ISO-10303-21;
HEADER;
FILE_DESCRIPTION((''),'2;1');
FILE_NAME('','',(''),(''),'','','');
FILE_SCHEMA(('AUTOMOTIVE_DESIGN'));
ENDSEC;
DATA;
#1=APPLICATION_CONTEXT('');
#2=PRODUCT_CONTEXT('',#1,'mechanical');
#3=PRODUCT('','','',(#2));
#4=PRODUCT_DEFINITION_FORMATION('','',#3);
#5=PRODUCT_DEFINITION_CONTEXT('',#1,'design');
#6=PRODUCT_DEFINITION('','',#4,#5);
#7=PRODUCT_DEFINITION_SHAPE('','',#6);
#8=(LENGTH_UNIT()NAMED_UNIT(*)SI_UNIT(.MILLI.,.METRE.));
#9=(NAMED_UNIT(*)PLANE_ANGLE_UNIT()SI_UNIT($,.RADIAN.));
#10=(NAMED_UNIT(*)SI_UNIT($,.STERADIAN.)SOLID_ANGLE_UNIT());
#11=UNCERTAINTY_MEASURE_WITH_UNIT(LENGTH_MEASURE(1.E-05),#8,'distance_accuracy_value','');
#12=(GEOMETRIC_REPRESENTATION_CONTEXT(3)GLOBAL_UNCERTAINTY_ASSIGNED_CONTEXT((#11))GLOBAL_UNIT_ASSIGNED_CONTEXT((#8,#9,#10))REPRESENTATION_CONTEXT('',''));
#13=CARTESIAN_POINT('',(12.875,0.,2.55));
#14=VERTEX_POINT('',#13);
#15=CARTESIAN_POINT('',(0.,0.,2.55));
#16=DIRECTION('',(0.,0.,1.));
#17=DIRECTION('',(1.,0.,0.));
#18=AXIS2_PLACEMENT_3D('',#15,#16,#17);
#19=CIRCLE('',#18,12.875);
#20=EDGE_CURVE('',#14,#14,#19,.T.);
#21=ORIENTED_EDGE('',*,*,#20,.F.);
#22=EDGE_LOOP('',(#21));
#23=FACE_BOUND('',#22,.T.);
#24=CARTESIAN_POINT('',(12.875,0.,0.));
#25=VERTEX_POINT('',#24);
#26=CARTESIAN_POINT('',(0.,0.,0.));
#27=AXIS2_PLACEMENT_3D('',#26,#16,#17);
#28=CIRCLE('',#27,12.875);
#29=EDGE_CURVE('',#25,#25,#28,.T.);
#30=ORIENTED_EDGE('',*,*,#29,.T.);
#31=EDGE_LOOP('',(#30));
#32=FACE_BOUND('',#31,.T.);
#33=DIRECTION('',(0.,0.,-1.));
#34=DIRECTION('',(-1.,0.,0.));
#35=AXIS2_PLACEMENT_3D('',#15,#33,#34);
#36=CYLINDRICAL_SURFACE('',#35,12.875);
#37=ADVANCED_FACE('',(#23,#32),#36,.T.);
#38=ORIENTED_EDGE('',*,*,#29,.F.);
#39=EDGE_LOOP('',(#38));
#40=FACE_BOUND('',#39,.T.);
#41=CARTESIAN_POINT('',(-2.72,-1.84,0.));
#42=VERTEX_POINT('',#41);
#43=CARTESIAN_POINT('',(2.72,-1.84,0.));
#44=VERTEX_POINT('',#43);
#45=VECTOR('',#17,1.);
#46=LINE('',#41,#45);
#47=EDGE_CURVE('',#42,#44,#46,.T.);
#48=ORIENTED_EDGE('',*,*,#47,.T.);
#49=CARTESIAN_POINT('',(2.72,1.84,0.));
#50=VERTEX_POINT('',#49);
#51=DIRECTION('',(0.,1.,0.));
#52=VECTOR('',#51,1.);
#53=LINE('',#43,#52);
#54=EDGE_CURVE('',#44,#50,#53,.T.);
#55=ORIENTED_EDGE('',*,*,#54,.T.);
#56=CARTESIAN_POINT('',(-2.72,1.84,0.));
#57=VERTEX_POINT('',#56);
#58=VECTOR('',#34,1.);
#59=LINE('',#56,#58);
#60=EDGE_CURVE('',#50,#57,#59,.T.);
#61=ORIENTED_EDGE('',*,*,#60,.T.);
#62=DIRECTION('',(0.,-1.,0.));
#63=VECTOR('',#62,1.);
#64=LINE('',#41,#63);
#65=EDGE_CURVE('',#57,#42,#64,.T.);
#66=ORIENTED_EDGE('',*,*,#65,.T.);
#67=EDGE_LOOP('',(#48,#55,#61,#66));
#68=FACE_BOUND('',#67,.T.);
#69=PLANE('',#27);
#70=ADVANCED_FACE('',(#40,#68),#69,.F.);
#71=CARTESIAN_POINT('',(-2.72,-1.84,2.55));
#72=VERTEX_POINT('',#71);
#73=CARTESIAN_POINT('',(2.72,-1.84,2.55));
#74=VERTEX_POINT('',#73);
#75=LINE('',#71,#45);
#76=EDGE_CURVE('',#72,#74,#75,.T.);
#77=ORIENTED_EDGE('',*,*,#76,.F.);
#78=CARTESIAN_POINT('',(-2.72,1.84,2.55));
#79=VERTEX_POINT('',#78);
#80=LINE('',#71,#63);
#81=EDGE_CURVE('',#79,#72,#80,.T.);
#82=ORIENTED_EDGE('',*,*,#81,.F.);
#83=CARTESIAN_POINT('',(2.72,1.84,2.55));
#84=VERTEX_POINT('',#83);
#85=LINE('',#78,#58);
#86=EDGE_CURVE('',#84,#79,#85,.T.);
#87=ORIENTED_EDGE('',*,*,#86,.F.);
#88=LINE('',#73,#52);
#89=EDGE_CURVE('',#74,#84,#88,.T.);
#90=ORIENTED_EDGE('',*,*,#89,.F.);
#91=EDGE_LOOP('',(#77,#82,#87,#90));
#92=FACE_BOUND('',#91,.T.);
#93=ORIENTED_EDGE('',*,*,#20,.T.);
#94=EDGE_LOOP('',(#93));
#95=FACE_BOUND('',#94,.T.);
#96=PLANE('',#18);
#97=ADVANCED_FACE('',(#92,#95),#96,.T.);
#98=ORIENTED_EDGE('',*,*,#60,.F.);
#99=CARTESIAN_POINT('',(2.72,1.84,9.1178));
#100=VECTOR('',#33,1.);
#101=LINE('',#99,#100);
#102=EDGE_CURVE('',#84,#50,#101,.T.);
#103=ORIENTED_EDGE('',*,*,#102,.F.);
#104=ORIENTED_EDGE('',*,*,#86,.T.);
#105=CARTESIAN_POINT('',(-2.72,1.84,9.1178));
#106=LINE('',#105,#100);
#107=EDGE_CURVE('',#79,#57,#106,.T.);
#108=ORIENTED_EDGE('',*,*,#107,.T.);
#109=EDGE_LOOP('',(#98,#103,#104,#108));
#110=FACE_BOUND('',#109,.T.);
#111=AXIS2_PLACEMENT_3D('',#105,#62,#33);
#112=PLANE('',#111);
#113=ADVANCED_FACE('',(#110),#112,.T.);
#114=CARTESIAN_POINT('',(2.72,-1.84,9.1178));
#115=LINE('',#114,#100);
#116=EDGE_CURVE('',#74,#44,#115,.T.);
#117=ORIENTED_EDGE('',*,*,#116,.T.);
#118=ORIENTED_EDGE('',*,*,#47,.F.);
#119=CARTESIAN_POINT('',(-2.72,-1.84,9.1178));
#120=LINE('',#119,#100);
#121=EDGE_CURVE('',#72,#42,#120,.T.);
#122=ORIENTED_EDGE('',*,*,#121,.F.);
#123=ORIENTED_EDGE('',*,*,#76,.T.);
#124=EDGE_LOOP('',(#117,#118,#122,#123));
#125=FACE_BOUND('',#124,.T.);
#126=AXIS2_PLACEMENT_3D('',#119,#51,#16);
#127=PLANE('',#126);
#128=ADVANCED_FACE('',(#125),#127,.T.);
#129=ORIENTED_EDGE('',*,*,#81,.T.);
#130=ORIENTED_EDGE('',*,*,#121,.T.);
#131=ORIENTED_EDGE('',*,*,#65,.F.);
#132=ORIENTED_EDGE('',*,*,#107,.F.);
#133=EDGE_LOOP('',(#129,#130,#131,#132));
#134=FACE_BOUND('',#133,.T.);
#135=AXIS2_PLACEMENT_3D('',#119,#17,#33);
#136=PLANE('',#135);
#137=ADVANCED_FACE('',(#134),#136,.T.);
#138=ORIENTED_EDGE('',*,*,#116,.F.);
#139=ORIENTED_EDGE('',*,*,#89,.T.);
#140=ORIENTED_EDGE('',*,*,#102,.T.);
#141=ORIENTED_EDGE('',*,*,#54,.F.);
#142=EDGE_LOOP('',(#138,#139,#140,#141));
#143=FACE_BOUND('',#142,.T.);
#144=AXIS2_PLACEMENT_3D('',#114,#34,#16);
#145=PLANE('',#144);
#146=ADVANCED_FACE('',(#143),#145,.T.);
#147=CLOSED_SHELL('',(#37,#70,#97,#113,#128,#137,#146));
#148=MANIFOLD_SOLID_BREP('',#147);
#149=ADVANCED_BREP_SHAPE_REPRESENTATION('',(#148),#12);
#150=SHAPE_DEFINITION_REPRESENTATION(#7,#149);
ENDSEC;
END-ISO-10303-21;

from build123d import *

# Parameters (mm, degrees)
SKETCH1_R           = 12.875
BOSS_EXTRUDE1_DEPTH = 2.55
SKETCH2_W           = 5.44
SKETCH2_H           = 3.68
CUT_EXTRUDE1_DEPTH  = 2.55


with BuildPart() as part:
    # Sketch1 → Boss-Extrude1 (new body)
    with BuildSketch(Plane.XY):
        Circle(SKETCH1_R)
    extrude(amount=BOSS_EXTRUDE1_DEPTH)

    # Sketch2 → Cut-Extrude1 (cut)
    with BuildSketch(Plane.XY):
        Rectangle(SKETCH2_W, SKETCH2_H)
    extrude(amount=CUT_EXTRUDE1_DEPTH, mode=Mode.SUBTRACT)


solid = part.part
